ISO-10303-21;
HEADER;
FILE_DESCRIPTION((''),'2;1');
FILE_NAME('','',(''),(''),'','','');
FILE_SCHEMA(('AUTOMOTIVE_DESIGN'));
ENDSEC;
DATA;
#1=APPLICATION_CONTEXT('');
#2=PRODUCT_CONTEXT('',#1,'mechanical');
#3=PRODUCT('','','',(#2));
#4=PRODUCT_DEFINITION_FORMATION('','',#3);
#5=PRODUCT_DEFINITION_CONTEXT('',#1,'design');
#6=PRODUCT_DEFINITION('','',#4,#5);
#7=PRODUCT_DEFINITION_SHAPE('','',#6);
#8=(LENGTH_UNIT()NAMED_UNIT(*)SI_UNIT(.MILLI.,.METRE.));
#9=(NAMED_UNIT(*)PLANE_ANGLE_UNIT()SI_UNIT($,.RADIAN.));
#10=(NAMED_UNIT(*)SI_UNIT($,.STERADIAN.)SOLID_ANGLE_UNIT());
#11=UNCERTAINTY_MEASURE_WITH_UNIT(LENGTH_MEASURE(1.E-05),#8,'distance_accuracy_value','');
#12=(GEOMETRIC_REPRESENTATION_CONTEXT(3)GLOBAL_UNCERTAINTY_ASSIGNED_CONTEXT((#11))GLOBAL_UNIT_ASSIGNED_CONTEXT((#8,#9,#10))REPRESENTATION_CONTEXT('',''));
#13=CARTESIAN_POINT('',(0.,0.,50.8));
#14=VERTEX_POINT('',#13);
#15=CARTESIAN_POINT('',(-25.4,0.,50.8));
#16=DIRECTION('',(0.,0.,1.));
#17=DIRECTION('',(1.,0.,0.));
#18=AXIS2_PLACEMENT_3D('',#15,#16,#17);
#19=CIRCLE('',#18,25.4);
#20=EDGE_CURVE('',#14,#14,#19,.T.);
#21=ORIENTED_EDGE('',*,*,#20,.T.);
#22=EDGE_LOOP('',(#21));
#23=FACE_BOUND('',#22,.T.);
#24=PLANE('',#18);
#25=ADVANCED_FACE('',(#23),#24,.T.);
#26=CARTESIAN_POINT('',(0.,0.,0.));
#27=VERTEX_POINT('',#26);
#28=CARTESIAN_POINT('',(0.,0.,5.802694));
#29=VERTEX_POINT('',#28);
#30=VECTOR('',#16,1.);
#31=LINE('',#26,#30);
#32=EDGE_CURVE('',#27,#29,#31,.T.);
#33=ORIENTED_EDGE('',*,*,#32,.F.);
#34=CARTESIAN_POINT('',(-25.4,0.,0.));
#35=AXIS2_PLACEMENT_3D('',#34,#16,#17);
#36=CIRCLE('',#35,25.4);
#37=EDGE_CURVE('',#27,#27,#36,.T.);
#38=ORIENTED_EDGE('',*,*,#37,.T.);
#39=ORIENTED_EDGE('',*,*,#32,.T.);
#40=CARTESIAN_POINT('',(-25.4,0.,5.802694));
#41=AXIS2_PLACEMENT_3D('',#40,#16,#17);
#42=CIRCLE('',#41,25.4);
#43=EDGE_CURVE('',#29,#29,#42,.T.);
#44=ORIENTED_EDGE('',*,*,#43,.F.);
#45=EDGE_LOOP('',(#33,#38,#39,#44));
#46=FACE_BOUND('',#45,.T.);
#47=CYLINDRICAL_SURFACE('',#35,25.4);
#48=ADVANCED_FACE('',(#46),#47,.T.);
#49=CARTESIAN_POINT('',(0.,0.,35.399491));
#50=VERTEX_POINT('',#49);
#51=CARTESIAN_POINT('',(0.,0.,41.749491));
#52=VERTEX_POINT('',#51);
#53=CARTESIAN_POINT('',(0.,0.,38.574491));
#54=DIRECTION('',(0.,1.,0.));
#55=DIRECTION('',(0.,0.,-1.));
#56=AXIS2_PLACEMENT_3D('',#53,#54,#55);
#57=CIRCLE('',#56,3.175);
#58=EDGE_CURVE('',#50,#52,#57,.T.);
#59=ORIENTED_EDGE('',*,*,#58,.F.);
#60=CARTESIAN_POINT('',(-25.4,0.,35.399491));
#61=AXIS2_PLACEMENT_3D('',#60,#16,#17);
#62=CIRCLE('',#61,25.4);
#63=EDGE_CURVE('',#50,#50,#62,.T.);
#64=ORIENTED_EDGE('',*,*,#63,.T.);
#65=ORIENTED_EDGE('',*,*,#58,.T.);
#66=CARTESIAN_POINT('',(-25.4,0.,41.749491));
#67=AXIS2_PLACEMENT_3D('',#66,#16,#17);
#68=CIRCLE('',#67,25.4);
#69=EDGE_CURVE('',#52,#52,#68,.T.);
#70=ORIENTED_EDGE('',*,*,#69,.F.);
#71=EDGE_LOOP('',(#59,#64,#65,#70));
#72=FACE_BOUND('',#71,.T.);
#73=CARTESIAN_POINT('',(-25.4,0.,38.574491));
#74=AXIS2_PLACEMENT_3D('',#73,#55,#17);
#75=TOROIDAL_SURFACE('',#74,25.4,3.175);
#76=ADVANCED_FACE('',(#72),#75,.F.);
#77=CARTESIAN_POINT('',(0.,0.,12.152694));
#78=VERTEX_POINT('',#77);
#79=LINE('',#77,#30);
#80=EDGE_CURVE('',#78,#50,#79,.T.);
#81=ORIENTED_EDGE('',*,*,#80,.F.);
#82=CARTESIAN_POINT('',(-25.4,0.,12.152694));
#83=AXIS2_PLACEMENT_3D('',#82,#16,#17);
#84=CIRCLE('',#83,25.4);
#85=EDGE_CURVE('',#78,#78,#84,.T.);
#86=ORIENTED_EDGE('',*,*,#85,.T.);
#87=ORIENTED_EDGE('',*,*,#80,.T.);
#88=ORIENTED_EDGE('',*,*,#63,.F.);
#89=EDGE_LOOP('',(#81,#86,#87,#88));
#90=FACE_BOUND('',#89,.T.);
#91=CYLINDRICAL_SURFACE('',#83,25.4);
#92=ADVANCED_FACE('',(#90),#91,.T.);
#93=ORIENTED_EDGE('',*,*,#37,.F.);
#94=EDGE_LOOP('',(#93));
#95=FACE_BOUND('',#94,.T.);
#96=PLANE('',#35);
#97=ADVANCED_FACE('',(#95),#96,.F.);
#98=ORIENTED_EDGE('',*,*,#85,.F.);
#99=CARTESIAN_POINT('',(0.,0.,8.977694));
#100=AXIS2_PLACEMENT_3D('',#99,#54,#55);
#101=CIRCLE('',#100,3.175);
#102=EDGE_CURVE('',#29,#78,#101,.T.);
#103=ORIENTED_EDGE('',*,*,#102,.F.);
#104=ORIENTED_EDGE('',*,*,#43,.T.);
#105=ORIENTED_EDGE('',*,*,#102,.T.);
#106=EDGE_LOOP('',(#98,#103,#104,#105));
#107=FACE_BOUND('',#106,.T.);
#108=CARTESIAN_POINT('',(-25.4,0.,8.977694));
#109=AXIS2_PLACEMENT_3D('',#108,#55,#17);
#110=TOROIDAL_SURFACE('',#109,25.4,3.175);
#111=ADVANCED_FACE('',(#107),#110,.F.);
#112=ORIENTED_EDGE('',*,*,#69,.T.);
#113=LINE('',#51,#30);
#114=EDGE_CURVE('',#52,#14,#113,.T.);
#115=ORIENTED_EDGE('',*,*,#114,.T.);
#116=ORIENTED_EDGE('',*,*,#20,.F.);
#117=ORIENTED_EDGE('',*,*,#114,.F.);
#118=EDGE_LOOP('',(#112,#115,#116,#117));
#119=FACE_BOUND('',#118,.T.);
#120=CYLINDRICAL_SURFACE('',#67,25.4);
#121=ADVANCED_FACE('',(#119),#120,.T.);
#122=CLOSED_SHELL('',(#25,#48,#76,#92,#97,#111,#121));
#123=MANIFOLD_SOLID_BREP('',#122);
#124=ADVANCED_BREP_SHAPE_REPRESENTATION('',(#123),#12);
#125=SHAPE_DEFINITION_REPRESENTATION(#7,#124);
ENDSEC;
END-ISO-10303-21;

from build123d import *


with BuildPart() as f1:
    # F0 (on Front) → F1 (revolve)
    with BuildSketch(Plane.XZ):
        with BuildLine():
            Line((-25.4, 0), (0, 0))
            Line((0, 0), (0, 5.802694))
            ThreePointArc((0, 5.802694), (-3.175, 8.977694), (0, 12.152694))
            Line((0, 12.152694), (0, 35.399491))
            ThreePointArc((0, 35.399491), (-3.175, 38.574491), (0, 41.749491))
            Line((0, 41.749491), (0, 50.8))
            Line((0, 50.8), (-25.4, 50.8))
            Line((-25.4, 50.8), (-25.4, 0))
        make_face()
    revolve(axis=Axis((-25.4, 0, 25.4), (0, 0, 1)))


solid = f1.part
